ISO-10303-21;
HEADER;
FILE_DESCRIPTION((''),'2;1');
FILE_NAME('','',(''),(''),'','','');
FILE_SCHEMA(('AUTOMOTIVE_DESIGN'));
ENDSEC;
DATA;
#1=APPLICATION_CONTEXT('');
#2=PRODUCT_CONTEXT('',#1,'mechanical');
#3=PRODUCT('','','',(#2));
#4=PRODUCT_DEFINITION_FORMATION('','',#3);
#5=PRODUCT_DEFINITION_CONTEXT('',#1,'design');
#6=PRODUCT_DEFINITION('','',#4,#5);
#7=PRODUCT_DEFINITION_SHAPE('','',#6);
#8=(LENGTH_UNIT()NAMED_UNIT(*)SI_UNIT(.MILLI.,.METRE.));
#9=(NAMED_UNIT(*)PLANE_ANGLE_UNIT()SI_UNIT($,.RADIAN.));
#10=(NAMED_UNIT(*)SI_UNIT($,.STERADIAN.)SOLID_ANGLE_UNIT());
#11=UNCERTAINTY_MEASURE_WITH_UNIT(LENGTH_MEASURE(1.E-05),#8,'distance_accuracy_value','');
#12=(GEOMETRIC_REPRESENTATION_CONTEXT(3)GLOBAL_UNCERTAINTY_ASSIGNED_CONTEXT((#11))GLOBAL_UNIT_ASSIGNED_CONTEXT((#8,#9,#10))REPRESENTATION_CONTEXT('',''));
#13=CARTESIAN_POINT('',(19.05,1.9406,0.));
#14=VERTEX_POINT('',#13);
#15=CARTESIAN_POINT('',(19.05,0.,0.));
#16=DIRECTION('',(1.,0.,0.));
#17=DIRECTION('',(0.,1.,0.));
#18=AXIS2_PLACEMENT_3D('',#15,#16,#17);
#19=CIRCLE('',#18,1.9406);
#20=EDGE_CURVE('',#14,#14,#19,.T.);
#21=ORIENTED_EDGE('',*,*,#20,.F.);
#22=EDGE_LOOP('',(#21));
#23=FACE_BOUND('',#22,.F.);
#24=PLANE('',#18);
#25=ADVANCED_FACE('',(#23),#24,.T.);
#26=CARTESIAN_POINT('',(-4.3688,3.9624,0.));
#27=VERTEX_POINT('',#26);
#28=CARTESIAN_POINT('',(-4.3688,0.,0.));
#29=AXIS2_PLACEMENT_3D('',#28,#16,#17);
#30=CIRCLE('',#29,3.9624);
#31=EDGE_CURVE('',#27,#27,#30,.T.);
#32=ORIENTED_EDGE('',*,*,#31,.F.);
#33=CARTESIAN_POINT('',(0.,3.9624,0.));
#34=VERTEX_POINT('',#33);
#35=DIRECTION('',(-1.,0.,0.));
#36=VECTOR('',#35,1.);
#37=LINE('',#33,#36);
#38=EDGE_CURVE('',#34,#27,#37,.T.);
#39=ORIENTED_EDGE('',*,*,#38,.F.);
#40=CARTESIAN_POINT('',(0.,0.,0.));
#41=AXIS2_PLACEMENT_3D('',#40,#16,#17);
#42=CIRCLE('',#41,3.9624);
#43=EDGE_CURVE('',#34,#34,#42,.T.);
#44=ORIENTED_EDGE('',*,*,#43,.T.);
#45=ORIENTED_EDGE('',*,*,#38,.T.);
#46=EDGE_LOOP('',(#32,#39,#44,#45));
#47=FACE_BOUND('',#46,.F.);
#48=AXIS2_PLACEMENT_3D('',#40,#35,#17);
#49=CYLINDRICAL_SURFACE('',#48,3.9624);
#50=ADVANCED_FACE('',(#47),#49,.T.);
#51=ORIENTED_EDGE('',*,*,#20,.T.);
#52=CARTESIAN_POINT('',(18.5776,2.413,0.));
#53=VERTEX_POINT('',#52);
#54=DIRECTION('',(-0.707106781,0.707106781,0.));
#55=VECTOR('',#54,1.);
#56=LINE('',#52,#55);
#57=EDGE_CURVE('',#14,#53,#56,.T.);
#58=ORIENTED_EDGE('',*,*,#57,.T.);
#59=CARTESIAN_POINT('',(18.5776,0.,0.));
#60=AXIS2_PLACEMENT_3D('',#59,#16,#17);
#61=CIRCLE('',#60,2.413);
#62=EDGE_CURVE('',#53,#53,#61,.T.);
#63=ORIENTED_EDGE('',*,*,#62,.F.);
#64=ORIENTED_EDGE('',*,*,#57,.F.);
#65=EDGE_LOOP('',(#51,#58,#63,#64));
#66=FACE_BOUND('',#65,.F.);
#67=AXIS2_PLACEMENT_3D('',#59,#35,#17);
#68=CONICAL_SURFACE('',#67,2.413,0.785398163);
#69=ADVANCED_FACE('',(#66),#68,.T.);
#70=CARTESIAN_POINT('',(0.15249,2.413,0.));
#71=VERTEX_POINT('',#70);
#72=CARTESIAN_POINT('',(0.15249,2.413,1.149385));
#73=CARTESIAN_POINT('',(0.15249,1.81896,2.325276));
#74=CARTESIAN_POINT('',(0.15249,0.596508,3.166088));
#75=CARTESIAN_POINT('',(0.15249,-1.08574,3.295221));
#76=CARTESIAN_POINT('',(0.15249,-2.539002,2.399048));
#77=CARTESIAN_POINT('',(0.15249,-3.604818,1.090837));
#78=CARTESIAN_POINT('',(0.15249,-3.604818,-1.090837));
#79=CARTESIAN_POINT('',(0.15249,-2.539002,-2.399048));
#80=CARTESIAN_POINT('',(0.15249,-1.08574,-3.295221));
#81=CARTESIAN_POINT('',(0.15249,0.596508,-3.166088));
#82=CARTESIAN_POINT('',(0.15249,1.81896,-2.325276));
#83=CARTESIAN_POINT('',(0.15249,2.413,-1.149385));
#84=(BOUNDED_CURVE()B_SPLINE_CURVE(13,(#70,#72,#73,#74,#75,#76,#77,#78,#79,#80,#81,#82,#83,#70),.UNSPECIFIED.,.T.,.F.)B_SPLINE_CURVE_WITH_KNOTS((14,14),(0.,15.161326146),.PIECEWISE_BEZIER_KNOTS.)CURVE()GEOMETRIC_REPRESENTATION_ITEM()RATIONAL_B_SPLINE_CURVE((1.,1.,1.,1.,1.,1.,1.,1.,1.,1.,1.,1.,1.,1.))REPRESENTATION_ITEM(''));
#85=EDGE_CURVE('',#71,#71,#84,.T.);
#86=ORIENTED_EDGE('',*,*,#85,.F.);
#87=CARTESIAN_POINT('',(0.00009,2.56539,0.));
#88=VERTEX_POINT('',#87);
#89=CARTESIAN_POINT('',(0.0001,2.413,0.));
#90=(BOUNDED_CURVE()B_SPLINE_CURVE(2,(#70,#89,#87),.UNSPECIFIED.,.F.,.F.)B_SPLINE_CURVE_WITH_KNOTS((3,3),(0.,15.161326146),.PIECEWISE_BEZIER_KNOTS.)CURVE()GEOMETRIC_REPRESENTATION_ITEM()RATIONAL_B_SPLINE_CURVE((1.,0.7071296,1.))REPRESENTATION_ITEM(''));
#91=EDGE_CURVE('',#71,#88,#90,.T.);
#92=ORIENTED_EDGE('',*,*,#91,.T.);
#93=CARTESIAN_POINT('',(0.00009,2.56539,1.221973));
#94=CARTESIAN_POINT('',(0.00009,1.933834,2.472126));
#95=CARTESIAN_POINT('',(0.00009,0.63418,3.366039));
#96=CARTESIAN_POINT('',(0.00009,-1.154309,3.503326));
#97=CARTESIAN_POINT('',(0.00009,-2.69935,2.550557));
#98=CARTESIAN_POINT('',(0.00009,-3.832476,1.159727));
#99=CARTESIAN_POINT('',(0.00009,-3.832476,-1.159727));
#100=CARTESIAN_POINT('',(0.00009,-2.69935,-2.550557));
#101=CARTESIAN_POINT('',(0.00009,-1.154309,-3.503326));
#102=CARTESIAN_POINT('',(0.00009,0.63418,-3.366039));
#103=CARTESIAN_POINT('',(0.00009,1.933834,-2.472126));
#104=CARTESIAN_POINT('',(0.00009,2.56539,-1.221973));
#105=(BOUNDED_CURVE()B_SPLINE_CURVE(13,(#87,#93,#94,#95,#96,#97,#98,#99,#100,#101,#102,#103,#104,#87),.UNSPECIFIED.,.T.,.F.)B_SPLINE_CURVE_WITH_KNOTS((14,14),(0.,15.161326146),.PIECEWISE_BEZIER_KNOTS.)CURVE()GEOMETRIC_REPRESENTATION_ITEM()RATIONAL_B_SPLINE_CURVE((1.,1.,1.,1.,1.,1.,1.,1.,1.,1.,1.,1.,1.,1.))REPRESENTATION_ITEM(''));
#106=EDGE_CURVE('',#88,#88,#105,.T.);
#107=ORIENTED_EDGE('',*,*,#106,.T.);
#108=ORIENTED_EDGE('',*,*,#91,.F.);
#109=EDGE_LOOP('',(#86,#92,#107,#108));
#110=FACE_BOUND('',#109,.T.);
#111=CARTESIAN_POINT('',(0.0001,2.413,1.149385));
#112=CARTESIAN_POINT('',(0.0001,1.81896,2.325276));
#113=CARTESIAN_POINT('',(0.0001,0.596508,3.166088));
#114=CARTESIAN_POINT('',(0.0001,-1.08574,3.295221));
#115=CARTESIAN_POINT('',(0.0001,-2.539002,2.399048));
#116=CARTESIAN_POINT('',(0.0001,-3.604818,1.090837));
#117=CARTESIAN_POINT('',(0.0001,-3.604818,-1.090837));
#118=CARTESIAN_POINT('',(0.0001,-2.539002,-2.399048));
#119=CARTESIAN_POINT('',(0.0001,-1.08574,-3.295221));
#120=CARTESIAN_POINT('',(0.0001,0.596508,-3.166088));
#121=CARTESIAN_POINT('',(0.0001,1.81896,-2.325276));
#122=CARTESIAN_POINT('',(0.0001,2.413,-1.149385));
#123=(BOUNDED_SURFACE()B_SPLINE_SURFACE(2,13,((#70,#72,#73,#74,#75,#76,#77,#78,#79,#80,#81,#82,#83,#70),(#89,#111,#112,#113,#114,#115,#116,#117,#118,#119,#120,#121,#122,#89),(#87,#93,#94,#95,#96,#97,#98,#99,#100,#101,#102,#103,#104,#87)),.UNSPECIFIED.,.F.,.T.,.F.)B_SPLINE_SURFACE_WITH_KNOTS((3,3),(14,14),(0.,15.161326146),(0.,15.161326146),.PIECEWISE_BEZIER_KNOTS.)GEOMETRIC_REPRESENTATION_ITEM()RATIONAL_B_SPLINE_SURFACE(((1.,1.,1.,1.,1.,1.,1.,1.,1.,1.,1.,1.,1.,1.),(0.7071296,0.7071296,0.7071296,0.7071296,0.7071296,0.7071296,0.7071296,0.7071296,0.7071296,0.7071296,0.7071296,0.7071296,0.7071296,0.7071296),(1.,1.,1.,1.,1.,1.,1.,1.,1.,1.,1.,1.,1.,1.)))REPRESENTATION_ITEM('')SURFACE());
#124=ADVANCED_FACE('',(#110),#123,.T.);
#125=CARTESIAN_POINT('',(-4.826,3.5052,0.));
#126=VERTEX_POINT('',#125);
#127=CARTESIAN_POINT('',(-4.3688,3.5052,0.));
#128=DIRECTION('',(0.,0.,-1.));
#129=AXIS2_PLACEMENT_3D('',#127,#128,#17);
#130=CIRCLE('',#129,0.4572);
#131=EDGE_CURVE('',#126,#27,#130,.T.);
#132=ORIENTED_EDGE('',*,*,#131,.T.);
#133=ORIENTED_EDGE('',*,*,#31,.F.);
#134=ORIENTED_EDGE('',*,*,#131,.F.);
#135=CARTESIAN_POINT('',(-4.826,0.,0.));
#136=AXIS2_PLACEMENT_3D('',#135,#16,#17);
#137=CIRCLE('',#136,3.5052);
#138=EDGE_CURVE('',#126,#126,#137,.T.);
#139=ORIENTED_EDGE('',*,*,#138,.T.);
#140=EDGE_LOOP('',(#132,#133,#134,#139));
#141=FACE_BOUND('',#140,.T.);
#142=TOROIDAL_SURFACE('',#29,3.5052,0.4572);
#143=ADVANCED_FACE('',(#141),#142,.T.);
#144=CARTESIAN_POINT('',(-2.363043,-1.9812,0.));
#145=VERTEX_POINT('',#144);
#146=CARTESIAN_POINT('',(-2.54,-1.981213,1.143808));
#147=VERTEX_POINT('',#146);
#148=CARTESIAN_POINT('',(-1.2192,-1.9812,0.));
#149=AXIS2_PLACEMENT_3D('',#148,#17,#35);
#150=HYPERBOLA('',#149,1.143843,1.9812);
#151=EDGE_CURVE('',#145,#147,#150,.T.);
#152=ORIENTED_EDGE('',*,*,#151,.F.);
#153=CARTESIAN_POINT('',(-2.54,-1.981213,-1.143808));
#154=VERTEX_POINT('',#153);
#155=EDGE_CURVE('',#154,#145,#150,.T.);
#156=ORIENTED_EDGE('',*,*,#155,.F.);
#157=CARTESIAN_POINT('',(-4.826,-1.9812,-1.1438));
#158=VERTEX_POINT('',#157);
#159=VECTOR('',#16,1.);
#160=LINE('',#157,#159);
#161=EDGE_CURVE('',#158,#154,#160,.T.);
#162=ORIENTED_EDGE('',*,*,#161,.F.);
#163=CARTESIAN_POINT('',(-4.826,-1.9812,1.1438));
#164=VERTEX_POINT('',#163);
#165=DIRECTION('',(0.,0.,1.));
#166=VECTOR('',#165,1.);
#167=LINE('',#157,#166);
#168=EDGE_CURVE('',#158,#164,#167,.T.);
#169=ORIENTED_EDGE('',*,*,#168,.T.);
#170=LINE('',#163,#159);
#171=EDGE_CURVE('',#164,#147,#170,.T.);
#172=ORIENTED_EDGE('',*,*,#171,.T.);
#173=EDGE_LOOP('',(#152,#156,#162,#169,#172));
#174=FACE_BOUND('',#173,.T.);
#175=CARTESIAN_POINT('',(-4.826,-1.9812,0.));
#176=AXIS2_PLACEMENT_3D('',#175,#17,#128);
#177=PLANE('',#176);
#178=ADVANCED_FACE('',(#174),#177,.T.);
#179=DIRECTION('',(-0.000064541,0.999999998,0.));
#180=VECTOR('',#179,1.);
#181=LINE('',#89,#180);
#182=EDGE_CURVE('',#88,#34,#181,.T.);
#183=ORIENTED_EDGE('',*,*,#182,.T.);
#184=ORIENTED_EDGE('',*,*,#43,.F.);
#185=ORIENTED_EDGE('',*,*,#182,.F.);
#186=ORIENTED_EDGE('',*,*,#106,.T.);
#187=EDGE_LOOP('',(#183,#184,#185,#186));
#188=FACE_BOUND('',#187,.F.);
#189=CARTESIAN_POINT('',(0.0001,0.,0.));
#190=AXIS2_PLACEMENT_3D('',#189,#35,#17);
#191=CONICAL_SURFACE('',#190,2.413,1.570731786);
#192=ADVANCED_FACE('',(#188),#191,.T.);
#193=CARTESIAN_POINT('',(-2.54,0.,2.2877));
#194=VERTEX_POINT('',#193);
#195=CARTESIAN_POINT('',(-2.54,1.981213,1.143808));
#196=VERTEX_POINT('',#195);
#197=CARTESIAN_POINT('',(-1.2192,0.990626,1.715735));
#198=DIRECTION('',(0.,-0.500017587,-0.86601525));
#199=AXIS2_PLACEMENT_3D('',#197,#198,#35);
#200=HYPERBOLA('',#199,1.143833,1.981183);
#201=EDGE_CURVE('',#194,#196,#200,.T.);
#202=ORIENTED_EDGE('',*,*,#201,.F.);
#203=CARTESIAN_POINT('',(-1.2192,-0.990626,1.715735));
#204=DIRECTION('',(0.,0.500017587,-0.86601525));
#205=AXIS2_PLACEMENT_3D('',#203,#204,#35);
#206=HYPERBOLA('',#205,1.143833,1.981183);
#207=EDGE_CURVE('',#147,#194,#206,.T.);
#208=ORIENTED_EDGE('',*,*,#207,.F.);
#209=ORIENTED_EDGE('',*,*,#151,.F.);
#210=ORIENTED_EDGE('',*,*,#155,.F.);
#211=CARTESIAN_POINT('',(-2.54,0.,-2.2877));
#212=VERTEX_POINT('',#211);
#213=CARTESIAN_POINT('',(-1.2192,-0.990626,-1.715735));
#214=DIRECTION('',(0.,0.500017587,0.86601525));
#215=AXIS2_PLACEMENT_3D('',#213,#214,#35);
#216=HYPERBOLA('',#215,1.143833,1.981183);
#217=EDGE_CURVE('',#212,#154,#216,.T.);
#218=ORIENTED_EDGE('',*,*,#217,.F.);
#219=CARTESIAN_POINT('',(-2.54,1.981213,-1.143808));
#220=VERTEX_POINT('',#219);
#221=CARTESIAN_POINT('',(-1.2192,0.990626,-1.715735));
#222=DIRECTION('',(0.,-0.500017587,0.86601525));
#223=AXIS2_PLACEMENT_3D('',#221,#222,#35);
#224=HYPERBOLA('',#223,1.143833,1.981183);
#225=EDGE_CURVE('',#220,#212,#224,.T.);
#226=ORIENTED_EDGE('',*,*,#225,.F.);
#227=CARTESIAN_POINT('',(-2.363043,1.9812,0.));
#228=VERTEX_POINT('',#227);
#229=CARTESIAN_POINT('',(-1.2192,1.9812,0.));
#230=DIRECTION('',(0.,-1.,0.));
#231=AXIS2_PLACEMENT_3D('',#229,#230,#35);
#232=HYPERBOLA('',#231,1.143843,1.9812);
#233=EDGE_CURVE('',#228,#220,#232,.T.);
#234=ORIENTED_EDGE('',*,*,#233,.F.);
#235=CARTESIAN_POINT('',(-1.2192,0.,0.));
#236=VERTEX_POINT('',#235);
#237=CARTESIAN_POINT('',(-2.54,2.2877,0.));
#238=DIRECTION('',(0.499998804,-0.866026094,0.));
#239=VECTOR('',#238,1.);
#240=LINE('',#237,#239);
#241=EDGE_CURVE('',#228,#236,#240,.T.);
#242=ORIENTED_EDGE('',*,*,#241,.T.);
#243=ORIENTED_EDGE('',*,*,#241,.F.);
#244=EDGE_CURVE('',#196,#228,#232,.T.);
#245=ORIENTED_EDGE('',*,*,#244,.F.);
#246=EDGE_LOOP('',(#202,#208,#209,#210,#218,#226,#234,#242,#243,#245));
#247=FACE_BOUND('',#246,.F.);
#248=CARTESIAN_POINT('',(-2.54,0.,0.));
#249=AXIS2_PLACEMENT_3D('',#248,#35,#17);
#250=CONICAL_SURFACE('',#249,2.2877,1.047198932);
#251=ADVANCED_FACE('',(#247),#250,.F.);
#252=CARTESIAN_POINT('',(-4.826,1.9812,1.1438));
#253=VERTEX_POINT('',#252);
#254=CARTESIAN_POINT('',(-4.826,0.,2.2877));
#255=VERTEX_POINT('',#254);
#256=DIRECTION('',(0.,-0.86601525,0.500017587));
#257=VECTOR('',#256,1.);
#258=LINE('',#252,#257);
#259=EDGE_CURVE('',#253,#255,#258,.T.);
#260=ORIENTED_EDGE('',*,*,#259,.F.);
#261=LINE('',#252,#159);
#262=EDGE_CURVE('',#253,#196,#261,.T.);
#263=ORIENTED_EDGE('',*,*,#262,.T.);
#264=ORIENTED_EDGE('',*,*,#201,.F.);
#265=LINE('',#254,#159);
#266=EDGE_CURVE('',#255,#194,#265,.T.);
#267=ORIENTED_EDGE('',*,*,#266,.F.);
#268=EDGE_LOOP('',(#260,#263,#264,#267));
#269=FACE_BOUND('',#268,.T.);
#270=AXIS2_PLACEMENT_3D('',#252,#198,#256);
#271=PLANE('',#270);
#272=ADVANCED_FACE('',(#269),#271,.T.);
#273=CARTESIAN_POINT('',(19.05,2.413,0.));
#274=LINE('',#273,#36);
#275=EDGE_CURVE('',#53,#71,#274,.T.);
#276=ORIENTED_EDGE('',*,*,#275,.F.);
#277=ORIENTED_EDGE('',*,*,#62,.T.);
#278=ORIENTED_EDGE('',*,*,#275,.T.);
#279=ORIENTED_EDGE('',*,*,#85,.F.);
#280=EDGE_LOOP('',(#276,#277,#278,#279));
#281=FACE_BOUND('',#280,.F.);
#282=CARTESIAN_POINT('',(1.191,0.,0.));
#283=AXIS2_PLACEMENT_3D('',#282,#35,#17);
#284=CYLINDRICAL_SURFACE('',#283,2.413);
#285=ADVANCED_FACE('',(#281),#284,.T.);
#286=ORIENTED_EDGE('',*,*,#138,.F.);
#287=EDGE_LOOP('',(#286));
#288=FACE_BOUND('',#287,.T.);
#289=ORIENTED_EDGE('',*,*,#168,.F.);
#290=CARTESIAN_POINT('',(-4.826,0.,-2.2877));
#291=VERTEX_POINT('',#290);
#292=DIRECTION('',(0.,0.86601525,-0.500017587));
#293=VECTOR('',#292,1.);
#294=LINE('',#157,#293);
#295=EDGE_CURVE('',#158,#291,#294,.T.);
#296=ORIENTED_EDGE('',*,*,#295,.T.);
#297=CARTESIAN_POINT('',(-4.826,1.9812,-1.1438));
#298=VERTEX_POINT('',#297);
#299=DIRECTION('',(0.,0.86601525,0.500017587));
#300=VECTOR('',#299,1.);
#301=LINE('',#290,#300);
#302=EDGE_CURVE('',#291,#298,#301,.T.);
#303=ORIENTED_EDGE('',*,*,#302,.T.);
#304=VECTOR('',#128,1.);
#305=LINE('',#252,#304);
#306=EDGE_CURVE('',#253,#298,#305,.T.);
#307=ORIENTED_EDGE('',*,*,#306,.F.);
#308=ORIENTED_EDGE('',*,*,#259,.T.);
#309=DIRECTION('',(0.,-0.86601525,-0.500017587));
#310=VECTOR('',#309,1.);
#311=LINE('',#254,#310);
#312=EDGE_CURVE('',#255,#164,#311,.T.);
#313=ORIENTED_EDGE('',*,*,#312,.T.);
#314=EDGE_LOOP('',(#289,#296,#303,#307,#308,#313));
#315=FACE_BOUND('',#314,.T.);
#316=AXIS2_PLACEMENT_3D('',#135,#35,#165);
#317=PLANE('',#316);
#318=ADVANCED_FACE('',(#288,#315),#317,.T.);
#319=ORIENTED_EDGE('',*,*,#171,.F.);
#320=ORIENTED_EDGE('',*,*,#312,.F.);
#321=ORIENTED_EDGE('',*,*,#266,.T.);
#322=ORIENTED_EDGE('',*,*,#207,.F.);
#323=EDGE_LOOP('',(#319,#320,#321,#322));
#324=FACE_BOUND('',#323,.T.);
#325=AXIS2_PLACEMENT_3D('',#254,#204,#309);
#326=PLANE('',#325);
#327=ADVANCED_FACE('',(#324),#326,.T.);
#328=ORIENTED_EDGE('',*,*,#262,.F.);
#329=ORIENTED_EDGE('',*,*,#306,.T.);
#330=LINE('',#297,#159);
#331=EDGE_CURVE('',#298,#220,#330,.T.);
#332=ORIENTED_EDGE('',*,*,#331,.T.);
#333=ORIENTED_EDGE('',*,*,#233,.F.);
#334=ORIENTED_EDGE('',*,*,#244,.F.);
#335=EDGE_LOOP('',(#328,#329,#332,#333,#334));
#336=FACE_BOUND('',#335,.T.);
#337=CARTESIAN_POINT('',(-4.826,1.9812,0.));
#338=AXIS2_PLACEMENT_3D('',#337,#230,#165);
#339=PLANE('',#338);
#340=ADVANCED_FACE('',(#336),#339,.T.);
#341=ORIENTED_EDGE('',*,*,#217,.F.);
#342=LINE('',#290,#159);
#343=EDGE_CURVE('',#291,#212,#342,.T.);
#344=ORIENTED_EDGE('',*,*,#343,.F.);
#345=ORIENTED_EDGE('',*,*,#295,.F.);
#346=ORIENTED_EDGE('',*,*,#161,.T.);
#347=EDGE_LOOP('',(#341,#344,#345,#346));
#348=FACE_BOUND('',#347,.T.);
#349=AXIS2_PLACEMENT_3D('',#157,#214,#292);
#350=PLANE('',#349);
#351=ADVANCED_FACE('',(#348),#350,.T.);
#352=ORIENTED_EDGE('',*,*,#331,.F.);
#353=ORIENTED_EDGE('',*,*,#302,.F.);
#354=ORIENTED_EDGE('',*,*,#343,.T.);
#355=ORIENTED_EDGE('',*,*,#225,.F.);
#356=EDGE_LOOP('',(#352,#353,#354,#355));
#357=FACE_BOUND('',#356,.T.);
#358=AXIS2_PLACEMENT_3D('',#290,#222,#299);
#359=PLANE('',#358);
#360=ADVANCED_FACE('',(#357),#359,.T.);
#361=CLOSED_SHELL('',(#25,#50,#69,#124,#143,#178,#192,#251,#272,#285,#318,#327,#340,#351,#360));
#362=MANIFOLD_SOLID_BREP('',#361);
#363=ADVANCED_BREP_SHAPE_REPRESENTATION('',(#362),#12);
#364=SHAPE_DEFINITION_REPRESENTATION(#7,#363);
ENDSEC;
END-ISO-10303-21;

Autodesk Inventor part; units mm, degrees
ref_plane "YZ Plane" through (0, 0, 0) normal (1, 0, 0) x (0, 1, 0)
ref_plane "XZ Plane" through (0, 0, 0) normal (0, 1, 0) x (-1, 0, 0)
sketch "Sketch1" plane through (0, 0, 0) normal (0, 0, 1) x (1, 0, 0)
  line L0 (-1.2192, 0) -> (19.05, 0)
  line L1 (19.05, 0) -> (19.05, 2.413)
  line L2 (19.05, 2.413) -> (1.191, 2.413)
  line L3 (1.191, 2.413) -> (0.0001, 2.413)
  line L4 (0.0001, 2.413) -> (0, 2.413)
  line L5 (0, 2.413) -> (0, 3.9624)
  line L6 (0, 3.9624) -> (-4.826, 3.9624)
  line L7 (-4.826, 3.9624) -> (-4.826, 2.2877)
  line L8 (-4.826, 2.2877) -> (-2.54, 2.2877)
  line L9 (-2.54, 2.2877) -> (-1.2192, 0)
  line L10 (-9.6012, 0) -> (23.8252, 0) projected
  line L11 (0, -0.7925) -> (0, 4.7549) projected
  line L12 (1.191, 2.413) -> (0, 2.413) construction
  dimension "d1" = 17.859
  dimension "d2" = 1.1908
  dimension "d3" = 4.826
  dimension "d4" = 2.286
  dimension "d5" = 60
  dimension "d6" = 4.826
  dimension "d7" = 4.826
  dimension "d8" = 4.5754
  dimension "d9" = 7.9248
  dimension "d26" = 19.05
revolve "Body" add sketch "Sketch1" angle 360 about axis through (-1.2192, 0, 0) along (1, 0, 0)
sketch "Sketch2" plane through (-4.826, 0, 0) normal (-1, 0, 0) x (0, 0, 1)
  circle A0 centre (0, 0) radius 2.2877 projected
  line L0 (0, -5.5474) -> (0, 5.5474) projected
  line L1 (-5.5474, 0) -> (5.5474, 0) projected
  line L2 (2.2877, 0) -> (1.1438, -1.9812)
  line L3 (1.1438, -1.9812) -> (-1.1438, -1.9812)
  line L4 (-1.1438, -1.9812) -> (-2.2877, 0)
  line L5 (-2.2877, 0) -> (-1.1438, 1.9812)
  line L6 (-1.1438, 1.9812) -> (1.1438, 1.9812)
  line L7 (1.1438, 1.9812) -> (2.2877, 0)
extrude "Slot" add sketch "Sketch2" against normal up to next contours L7 A0 | A0 L2 | L6 L0 A0 | A0 L0 L3 | L0 L6 A0 | A0 L3 L0 | L4 A0 | A0 L5
fillet "Fillet1" radius 0.4572 1 edges at (-4.826, -3.9624, 0)
thread "Thread" size "10-32 UNF" class "2A" standard "ANSI Unified Screw Threads" length 17.859
chamfer "Chamfer1" distance 0.4724 distance2 0.4724 1 edges at (19.05, -2.413, 0) measured on face at (19.05, -1.2173, -0.6389)
ref_plane "Work Plane1" through (29, 0, 0) normal (0, -1, 0) x (1, 0, 0)
fillet "Fillet2" radius 0.1524 1 edges at (0.0001, -2.413, 0)
equation "\"d1\" = GEL"
equation "\"d3\" = KOH"
equation "\"d4\" = INTI"
equation "\"d6\" = GD"
equation "\"d7\" = BDM"
equation "\"d8\" = 1.1547 * SW"
equation "\"d9\" = KOD"
equation "\"d26\" = NLG"
equation "\"d30\" = R"
equation "\"d17\" = RR"
equation "\"d13\" = GEL"
equation "\"d15\" = -0.5 * SPD + 0.5 * GD"
equation "\"d16\" = GUL"
equation "\"GD\" = 4.826"
equation "\"NLG\" = 19.05"
equation "\"GEL\" = 17.85905"
equation "\"KOD\" = 7.9248"
equation "\"KOH\" = 4.826"
equation "\"INTI\" = 2.286"
equation "\"GAL\" = 1.19075"
equation "\"GUL\" = 0.47244"
equation "\"BDM\" = 4.826"
equation "\"SW\" = 3.9624"
equation "\"RR\" = 0.4572"
equation "\"SPD\" = 3.88112"
equation "\"R\" = 0.1524"
equation "\"PHH\" = 0.127"
equation "\"GD1\" = SPD"
equation "\"THREADDIA\" = 4.826"
equation "\"FAWI\" = 45deg"
equation "\"KOH1\" = 4.3434"
equation "\"NND\" = 4.826"
equation "\"TOA\" = 30deg"
equation "\"E0\" = 1.155 * SW"
properties part number "am-1047" material "Steel, Mild"
